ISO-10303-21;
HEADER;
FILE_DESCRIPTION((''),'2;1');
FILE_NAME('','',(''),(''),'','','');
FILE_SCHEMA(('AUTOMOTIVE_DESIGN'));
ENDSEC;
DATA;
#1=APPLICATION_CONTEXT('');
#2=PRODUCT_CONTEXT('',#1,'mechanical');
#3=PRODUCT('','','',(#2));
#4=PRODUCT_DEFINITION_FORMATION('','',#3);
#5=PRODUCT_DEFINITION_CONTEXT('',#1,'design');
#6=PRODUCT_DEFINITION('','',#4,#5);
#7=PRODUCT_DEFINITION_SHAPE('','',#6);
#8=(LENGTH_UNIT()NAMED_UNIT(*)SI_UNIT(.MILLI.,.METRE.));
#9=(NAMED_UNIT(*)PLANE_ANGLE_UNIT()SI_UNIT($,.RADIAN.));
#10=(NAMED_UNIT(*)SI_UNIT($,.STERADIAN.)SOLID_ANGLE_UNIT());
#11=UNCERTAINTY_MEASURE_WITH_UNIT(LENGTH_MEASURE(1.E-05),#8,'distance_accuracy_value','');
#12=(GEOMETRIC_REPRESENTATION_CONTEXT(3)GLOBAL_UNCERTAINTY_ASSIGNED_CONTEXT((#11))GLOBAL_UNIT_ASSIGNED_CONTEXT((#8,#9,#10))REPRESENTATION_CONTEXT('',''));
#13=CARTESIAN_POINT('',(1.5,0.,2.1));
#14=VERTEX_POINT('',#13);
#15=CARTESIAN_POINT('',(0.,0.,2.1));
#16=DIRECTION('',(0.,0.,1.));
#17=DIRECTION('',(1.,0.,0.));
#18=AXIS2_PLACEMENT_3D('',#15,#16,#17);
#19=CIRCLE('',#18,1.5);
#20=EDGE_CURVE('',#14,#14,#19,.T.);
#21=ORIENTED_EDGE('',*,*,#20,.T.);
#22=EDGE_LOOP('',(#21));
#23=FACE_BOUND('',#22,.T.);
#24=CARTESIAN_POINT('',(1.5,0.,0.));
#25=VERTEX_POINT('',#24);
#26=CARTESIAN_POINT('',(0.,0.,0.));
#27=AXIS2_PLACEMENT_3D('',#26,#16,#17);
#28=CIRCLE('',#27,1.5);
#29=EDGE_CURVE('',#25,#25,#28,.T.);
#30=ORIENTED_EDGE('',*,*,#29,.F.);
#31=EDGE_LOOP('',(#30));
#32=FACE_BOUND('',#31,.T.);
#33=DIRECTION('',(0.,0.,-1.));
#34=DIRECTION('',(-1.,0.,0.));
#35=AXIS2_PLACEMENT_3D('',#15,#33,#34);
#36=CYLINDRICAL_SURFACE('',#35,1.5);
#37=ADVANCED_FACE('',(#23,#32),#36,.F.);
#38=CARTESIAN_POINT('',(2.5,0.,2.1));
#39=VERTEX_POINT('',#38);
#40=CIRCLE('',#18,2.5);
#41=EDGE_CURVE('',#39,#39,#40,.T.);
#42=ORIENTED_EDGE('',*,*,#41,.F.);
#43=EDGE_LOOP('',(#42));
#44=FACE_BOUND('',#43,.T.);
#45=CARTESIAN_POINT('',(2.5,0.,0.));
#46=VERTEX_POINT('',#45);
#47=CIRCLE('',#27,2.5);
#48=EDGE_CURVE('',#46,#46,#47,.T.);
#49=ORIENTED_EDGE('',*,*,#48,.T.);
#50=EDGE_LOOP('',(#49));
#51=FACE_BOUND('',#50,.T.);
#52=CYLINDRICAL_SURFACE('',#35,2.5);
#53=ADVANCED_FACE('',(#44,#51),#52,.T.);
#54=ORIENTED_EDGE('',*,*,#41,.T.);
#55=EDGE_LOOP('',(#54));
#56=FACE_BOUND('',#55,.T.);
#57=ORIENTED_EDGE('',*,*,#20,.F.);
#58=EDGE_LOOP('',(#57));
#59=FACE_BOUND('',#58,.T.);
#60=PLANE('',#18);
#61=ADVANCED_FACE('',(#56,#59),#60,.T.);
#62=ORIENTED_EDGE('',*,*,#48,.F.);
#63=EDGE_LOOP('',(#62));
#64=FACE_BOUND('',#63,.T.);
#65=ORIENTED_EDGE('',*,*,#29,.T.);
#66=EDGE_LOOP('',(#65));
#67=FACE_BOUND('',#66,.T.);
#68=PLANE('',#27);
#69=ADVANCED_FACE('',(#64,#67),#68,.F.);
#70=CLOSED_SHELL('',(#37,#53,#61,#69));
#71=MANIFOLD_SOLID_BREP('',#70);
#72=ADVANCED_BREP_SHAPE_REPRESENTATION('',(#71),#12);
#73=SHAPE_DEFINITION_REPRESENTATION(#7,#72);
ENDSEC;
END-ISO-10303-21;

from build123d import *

# Parameters (mm, degrees)
SKETCH_1_R      = 2.5
SKETCH_1_R_2    = 1.5
EXTRUDE_1_DEPTH = 2.1


with BuildPart() as part:
    # 草图1 → 凸台-拉伸1 (new body)
    with BuildSketch(Plane.XY):
        Circle(SKETCH_1_R)
        Circle(SKETCH_1_R_2, mode=Mode.SUBTRACT)
    extrude(amount=EXTRUDE_1_DEPTH)


solid = part.part
